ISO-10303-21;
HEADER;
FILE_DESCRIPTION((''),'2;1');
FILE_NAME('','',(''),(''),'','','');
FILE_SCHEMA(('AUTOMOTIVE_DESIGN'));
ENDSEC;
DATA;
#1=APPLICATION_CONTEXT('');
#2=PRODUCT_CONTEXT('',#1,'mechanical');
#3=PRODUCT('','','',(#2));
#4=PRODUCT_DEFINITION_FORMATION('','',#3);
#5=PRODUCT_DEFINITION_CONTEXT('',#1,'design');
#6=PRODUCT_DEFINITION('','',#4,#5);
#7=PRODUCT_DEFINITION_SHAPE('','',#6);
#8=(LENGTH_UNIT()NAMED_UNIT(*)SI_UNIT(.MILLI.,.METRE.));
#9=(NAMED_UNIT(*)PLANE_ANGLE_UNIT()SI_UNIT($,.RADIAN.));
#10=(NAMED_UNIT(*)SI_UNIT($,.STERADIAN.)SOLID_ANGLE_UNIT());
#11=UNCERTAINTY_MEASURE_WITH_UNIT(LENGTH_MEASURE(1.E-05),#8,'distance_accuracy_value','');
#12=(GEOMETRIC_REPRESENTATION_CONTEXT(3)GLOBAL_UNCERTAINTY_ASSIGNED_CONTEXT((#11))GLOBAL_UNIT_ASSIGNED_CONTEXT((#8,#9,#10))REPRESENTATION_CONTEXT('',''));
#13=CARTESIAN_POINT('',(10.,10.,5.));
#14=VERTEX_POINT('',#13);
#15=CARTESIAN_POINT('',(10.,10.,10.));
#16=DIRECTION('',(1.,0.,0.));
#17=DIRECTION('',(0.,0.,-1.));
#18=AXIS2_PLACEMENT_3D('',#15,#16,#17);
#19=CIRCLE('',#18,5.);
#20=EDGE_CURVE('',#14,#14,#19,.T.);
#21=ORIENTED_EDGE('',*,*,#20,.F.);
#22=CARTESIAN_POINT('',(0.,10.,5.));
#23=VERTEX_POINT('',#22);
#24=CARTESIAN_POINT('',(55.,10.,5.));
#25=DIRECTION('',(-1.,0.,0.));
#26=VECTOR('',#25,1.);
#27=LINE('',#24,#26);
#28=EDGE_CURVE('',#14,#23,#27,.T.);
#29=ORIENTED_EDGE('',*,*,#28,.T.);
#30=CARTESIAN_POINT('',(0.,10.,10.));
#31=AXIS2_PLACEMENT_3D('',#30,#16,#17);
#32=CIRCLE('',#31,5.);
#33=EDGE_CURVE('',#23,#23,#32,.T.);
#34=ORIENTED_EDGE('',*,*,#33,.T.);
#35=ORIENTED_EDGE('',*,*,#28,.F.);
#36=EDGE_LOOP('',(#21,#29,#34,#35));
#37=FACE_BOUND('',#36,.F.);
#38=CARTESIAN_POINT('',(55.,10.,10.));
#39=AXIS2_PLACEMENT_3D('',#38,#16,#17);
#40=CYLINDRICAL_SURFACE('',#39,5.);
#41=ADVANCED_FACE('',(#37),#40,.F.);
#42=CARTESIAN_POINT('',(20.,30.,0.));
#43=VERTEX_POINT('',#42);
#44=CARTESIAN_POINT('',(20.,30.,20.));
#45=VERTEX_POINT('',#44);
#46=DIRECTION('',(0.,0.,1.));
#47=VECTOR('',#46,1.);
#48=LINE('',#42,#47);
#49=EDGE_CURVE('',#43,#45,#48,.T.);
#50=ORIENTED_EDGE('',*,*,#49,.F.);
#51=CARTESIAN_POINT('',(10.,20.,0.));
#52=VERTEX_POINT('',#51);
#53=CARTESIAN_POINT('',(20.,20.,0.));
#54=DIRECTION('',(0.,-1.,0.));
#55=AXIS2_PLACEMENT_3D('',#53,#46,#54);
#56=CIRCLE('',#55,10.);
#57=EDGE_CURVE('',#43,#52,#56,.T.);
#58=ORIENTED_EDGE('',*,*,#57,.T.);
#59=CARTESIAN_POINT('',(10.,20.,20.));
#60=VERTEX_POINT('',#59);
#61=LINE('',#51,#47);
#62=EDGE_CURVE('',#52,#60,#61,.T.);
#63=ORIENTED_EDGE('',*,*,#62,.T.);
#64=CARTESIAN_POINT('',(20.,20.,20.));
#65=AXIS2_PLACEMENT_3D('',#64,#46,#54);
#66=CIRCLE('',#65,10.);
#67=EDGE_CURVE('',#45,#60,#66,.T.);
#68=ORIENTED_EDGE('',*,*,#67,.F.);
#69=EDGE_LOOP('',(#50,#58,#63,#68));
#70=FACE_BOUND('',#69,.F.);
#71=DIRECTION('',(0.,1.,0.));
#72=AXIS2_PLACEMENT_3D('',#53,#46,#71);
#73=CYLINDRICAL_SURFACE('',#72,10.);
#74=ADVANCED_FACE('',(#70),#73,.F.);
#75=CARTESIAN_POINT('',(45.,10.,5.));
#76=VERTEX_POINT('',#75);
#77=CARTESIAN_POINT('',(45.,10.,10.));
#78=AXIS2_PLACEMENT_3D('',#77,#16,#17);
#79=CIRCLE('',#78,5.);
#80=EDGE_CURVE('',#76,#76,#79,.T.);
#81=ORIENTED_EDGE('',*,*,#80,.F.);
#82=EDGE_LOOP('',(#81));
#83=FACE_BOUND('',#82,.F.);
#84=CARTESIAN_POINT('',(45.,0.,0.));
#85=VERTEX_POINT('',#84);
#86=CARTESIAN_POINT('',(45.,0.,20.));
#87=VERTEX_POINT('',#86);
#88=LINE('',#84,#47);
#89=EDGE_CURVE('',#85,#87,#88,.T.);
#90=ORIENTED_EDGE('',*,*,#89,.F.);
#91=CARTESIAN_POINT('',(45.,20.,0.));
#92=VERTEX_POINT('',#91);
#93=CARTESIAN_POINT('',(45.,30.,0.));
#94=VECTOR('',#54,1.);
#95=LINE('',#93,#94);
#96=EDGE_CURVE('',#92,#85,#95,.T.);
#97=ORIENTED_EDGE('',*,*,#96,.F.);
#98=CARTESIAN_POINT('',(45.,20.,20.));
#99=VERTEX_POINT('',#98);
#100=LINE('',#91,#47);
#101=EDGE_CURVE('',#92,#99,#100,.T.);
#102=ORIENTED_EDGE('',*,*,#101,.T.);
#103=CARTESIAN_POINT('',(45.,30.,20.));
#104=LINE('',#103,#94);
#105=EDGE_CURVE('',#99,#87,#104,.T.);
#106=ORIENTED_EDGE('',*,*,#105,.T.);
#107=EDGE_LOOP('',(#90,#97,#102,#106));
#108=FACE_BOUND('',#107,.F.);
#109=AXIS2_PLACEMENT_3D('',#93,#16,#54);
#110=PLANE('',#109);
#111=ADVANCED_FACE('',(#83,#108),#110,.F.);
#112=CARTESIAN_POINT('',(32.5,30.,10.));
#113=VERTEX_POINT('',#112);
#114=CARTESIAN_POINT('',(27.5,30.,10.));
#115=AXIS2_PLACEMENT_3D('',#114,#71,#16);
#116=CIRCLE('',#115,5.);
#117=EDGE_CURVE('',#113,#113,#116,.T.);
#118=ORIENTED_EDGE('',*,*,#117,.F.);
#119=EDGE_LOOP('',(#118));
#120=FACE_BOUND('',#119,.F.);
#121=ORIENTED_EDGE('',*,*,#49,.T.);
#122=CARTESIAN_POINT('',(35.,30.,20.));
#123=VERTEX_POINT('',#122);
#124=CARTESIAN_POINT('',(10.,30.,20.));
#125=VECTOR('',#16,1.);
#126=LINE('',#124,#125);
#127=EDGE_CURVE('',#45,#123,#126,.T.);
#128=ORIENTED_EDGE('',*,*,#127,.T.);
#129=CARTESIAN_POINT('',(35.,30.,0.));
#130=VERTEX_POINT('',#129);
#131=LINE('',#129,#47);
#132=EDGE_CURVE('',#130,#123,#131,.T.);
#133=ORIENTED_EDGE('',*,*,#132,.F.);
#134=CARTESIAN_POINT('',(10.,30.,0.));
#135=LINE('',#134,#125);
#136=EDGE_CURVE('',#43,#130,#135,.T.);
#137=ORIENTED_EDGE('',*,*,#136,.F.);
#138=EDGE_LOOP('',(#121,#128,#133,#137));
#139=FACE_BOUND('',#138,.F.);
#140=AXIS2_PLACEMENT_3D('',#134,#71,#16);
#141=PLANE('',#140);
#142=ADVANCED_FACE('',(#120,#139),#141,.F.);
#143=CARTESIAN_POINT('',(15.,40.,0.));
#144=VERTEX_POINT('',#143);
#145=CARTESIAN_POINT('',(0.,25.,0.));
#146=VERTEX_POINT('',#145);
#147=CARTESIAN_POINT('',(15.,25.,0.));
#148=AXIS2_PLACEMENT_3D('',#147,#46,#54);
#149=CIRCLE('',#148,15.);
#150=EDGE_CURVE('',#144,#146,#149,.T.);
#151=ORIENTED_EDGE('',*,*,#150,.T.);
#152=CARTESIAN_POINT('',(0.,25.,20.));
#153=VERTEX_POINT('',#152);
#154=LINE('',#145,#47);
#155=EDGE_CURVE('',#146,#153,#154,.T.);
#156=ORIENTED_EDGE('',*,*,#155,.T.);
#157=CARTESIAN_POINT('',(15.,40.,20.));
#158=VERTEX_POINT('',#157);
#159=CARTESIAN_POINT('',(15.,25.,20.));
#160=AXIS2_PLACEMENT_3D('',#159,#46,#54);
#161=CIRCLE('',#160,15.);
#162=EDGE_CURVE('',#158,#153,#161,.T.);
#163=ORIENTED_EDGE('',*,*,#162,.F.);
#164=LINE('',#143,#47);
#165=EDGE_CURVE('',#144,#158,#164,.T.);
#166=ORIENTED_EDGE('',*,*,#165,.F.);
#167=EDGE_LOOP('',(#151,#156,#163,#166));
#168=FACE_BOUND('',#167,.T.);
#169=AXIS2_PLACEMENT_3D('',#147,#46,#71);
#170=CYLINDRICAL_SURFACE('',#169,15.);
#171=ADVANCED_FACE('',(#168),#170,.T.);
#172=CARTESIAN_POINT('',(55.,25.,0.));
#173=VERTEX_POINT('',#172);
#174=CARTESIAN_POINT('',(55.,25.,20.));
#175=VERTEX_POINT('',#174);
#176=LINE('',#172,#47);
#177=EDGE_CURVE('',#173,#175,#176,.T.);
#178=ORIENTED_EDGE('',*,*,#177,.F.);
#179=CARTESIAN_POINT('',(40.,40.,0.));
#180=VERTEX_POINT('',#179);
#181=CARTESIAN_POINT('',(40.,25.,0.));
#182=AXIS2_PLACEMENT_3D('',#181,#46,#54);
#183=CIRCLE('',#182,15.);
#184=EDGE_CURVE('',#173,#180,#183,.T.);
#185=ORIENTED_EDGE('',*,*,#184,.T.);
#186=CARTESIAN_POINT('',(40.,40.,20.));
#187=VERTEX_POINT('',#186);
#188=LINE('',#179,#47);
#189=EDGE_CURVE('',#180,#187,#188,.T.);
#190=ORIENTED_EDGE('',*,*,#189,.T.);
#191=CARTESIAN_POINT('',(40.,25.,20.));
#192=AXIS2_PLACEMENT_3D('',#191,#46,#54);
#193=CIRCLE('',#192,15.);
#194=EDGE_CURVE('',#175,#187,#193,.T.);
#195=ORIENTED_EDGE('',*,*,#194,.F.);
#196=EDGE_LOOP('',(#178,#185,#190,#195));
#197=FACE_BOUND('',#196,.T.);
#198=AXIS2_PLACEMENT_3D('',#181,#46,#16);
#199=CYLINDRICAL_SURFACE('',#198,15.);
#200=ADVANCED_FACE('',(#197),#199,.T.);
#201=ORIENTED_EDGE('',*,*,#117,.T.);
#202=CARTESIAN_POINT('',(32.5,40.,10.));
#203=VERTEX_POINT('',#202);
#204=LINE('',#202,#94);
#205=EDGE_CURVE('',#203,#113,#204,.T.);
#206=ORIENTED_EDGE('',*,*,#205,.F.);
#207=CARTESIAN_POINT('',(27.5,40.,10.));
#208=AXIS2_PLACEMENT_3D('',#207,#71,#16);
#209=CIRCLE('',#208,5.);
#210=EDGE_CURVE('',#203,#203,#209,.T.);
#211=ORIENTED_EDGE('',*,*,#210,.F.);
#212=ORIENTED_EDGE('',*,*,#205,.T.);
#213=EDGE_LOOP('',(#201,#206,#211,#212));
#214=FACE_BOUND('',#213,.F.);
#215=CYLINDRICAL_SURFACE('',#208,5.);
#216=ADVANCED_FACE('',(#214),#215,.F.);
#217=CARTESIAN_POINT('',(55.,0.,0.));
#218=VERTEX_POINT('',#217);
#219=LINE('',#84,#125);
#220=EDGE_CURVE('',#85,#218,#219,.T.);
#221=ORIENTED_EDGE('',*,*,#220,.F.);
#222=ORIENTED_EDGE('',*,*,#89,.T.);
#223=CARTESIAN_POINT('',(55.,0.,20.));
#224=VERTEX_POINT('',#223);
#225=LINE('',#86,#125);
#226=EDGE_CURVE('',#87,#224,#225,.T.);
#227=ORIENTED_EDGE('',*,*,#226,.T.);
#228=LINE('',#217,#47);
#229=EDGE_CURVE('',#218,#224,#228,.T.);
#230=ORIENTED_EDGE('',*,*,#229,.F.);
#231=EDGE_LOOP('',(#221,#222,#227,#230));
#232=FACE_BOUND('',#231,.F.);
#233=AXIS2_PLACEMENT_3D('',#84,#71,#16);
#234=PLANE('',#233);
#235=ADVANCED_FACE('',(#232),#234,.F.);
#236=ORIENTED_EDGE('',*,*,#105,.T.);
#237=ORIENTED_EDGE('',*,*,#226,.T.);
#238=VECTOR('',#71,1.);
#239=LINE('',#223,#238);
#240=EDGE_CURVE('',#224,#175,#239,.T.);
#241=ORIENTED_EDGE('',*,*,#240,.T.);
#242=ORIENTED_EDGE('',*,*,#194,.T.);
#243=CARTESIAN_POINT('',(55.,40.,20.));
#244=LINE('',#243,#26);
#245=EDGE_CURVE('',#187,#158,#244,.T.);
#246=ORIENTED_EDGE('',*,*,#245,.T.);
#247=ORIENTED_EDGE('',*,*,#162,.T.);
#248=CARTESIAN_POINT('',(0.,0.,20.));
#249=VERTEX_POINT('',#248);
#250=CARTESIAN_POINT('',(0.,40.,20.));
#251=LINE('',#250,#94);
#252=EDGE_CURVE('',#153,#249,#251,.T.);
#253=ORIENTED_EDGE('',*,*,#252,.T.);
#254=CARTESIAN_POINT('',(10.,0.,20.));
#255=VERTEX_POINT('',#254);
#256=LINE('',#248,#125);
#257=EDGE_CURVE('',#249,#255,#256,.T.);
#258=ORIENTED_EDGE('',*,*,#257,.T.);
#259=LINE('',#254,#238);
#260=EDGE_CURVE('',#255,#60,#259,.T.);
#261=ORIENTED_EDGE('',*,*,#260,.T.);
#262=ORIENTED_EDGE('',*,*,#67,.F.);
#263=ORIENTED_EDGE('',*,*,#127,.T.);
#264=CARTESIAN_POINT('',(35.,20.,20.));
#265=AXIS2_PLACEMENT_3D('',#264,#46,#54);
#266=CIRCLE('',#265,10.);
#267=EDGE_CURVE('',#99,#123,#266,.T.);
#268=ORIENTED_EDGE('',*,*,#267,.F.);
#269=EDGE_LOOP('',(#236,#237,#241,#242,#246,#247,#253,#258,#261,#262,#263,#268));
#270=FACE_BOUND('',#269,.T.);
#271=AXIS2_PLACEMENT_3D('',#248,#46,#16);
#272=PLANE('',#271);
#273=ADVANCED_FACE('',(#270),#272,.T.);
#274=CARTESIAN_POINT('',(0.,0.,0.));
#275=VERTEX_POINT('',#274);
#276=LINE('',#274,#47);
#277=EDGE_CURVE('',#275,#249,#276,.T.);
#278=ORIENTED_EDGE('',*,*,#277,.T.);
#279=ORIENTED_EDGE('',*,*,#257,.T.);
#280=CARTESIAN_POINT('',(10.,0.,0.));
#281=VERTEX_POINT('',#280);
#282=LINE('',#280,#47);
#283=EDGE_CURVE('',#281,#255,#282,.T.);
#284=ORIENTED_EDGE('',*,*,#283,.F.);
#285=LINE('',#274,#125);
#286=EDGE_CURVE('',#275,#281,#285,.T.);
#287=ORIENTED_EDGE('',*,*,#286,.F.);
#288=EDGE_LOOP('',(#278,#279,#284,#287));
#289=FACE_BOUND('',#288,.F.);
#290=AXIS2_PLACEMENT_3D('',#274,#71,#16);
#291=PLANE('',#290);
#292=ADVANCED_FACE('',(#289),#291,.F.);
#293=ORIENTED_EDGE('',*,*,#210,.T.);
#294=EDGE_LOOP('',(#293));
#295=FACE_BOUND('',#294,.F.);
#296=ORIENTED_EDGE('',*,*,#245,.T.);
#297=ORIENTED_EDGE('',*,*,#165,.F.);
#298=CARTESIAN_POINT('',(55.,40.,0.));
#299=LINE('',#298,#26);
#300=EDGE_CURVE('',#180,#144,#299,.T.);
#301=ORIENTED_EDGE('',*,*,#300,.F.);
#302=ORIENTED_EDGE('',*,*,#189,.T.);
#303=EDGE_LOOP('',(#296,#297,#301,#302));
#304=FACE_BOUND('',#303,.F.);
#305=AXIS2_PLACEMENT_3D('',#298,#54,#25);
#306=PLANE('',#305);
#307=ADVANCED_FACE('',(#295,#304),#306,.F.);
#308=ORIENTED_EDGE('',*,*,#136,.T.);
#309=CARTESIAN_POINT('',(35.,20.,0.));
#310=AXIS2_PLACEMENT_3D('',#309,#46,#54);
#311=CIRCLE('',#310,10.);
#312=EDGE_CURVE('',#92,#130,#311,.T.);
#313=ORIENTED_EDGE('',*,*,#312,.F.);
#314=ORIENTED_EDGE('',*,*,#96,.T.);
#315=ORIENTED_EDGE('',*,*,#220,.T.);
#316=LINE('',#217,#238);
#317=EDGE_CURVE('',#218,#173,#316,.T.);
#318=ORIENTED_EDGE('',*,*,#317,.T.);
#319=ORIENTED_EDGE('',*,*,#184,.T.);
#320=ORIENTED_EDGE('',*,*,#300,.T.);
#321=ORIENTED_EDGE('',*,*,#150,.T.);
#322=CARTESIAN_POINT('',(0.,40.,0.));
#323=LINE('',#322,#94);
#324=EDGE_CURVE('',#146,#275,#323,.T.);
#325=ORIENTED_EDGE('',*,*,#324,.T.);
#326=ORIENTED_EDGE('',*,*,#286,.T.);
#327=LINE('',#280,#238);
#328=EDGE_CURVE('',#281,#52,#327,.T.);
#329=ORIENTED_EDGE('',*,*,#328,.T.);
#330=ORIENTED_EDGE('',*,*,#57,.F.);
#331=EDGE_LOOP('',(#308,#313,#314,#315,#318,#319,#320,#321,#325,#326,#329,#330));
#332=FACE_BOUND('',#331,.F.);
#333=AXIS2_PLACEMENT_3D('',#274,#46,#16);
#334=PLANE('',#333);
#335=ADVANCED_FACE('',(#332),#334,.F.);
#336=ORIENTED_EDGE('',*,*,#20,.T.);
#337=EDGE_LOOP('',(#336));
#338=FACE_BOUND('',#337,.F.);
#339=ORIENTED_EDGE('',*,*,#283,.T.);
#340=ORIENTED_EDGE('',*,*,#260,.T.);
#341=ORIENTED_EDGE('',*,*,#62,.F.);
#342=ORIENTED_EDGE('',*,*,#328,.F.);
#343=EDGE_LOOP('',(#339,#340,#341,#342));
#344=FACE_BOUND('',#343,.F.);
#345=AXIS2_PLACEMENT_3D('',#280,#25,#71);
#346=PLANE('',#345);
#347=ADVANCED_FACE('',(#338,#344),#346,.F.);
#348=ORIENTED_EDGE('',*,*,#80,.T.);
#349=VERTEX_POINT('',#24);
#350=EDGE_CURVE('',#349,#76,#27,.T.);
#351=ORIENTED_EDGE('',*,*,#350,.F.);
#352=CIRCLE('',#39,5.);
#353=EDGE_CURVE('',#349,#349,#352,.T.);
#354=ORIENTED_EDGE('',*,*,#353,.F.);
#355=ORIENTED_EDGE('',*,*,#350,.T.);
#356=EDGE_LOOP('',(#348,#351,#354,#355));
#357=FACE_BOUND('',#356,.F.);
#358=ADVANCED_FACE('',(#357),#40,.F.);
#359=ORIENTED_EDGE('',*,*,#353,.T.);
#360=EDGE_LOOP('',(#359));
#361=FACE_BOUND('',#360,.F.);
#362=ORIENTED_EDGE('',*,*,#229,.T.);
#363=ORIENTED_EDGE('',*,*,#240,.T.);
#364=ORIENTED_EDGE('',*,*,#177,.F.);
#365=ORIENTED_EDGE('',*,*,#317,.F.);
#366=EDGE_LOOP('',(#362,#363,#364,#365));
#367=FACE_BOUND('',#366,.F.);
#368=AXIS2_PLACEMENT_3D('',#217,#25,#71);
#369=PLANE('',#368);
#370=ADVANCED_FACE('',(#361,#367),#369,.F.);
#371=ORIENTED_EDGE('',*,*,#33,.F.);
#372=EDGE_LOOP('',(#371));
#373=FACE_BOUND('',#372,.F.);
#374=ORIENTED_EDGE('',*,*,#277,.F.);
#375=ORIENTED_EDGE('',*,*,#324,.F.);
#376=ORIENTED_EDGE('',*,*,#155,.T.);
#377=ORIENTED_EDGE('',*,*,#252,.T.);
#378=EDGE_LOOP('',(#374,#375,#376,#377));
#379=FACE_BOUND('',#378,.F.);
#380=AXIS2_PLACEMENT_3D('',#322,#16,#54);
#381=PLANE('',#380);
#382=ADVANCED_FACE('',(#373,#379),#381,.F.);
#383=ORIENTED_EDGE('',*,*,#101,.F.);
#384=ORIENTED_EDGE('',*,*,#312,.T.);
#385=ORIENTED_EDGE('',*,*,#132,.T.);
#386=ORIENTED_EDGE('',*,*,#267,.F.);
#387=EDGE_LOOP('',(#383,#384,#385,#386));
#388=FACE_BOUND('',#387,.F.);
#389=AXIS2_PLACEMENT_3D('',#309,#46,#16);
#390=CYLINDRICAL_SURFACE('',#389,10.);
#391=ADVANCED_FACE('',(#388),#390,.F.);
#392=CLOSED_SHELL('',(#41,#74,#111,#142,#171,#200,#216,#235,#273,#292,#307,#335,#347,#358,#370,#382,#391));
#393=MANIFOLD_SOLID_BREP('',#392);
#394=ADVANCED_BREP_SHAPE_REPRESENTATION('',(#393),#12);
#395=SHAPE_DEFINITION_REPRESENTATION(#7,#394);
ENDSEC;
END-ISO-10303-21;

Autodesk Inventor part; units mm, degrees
ref_plane "YZ Plane" through (0, 0, 0) normal (1, 0, 0) x (0, 1, 0)
ref_plane "XZ Plane" through (0, 0, 0) normal (0, 1, 0) x (-1, 0, 0)
ref_plane "XY Plane" through (0, 0, 0) normal (0, 0, 1) x (1, 0, 0)
sketch "Sketch1" plane through (0, 0, 0) normal (0, 0, 1) x (1, 0, 0)
  line L0 (0, 0) -> (10, 0)
  line L1 (10, 0) -> (10, 30)
  line L2 (10, 30) -> (45, 30)
  line L3 (45, 30) -> (45, 0)
  line L4 (45, 0) -> (55, 0)
  line L5 (55, 0) -> (55, 40)
  line L6 (55, 40) -> (0, 40)
  line L7 (0, 40) -> (0, 0)
  dimension "d0" = 10
  dimension "d1" = 35
  dimension "d2" = 10
  dimension "d3" = 40
  dimension "d4" = 10
extrude "Extrusion1" add sketch "Sketch1" along normal blind 20
sketch "Sketch2" plane through (55, 0, 0) normal (1, 0, 0) x (0, 0, -1)
  circle A0 centre (-10, 10) radius 5
  line L0 (0, 0) -> (0, 40) projected
  line L1 (0, 0) -> (0, 40) projected
  line L2 (0, 40) -> (-20, 40) projected
  line L3 (-20, 0) -> (-20, 40) projected
  line L4 (0, 0) -> (-20, 0) projected
  dimension "d7" = 10
  dimension "d8" = 10
  dimension "d9" = 20
  dimension "d10" = 10
extrude "Extrusion2" cut sketch "Sketch2" against normal through all contours A0
sketch "Sketch3" plane through (0, 40, 0) normal (0, 1, 0) x (1, 0, 0)
  line L0 (55, 0) -> (0, 0) projected
  line L1 (0, 0) -> (0, -20) projected
  line L2 (55, -20) -> (0, -20) projected
  line L3 (55, 0) -> (55, -20) projected
  circle A0 centre (27.5, -10) radius 5
  point P0 (0, 0)
  dimension "d13" = 55
  dimension "d14" = 10
  dimension "d15" = 27.5
  dimension "d16" = 20
  dimension "d17" = 10
extrude "Extrusion3" cut sketch "Sketch3" against normal up to next contours A0
fillet "Fillet2" radius 10 2 edges at (10, 30, 10) (45, 30, 10)
fillet "Fillet4" radius 15 2 edges at (0, 40, 10) (55, 40, 10)
equation "\"d8\" = 0.5 * d9"
equation "\"d15\" = 0.5 * d13"
equation "\"d17\" = 0.5 * d16"
properties part number "EE_base_connection" material "Acetal Resin, Black"
